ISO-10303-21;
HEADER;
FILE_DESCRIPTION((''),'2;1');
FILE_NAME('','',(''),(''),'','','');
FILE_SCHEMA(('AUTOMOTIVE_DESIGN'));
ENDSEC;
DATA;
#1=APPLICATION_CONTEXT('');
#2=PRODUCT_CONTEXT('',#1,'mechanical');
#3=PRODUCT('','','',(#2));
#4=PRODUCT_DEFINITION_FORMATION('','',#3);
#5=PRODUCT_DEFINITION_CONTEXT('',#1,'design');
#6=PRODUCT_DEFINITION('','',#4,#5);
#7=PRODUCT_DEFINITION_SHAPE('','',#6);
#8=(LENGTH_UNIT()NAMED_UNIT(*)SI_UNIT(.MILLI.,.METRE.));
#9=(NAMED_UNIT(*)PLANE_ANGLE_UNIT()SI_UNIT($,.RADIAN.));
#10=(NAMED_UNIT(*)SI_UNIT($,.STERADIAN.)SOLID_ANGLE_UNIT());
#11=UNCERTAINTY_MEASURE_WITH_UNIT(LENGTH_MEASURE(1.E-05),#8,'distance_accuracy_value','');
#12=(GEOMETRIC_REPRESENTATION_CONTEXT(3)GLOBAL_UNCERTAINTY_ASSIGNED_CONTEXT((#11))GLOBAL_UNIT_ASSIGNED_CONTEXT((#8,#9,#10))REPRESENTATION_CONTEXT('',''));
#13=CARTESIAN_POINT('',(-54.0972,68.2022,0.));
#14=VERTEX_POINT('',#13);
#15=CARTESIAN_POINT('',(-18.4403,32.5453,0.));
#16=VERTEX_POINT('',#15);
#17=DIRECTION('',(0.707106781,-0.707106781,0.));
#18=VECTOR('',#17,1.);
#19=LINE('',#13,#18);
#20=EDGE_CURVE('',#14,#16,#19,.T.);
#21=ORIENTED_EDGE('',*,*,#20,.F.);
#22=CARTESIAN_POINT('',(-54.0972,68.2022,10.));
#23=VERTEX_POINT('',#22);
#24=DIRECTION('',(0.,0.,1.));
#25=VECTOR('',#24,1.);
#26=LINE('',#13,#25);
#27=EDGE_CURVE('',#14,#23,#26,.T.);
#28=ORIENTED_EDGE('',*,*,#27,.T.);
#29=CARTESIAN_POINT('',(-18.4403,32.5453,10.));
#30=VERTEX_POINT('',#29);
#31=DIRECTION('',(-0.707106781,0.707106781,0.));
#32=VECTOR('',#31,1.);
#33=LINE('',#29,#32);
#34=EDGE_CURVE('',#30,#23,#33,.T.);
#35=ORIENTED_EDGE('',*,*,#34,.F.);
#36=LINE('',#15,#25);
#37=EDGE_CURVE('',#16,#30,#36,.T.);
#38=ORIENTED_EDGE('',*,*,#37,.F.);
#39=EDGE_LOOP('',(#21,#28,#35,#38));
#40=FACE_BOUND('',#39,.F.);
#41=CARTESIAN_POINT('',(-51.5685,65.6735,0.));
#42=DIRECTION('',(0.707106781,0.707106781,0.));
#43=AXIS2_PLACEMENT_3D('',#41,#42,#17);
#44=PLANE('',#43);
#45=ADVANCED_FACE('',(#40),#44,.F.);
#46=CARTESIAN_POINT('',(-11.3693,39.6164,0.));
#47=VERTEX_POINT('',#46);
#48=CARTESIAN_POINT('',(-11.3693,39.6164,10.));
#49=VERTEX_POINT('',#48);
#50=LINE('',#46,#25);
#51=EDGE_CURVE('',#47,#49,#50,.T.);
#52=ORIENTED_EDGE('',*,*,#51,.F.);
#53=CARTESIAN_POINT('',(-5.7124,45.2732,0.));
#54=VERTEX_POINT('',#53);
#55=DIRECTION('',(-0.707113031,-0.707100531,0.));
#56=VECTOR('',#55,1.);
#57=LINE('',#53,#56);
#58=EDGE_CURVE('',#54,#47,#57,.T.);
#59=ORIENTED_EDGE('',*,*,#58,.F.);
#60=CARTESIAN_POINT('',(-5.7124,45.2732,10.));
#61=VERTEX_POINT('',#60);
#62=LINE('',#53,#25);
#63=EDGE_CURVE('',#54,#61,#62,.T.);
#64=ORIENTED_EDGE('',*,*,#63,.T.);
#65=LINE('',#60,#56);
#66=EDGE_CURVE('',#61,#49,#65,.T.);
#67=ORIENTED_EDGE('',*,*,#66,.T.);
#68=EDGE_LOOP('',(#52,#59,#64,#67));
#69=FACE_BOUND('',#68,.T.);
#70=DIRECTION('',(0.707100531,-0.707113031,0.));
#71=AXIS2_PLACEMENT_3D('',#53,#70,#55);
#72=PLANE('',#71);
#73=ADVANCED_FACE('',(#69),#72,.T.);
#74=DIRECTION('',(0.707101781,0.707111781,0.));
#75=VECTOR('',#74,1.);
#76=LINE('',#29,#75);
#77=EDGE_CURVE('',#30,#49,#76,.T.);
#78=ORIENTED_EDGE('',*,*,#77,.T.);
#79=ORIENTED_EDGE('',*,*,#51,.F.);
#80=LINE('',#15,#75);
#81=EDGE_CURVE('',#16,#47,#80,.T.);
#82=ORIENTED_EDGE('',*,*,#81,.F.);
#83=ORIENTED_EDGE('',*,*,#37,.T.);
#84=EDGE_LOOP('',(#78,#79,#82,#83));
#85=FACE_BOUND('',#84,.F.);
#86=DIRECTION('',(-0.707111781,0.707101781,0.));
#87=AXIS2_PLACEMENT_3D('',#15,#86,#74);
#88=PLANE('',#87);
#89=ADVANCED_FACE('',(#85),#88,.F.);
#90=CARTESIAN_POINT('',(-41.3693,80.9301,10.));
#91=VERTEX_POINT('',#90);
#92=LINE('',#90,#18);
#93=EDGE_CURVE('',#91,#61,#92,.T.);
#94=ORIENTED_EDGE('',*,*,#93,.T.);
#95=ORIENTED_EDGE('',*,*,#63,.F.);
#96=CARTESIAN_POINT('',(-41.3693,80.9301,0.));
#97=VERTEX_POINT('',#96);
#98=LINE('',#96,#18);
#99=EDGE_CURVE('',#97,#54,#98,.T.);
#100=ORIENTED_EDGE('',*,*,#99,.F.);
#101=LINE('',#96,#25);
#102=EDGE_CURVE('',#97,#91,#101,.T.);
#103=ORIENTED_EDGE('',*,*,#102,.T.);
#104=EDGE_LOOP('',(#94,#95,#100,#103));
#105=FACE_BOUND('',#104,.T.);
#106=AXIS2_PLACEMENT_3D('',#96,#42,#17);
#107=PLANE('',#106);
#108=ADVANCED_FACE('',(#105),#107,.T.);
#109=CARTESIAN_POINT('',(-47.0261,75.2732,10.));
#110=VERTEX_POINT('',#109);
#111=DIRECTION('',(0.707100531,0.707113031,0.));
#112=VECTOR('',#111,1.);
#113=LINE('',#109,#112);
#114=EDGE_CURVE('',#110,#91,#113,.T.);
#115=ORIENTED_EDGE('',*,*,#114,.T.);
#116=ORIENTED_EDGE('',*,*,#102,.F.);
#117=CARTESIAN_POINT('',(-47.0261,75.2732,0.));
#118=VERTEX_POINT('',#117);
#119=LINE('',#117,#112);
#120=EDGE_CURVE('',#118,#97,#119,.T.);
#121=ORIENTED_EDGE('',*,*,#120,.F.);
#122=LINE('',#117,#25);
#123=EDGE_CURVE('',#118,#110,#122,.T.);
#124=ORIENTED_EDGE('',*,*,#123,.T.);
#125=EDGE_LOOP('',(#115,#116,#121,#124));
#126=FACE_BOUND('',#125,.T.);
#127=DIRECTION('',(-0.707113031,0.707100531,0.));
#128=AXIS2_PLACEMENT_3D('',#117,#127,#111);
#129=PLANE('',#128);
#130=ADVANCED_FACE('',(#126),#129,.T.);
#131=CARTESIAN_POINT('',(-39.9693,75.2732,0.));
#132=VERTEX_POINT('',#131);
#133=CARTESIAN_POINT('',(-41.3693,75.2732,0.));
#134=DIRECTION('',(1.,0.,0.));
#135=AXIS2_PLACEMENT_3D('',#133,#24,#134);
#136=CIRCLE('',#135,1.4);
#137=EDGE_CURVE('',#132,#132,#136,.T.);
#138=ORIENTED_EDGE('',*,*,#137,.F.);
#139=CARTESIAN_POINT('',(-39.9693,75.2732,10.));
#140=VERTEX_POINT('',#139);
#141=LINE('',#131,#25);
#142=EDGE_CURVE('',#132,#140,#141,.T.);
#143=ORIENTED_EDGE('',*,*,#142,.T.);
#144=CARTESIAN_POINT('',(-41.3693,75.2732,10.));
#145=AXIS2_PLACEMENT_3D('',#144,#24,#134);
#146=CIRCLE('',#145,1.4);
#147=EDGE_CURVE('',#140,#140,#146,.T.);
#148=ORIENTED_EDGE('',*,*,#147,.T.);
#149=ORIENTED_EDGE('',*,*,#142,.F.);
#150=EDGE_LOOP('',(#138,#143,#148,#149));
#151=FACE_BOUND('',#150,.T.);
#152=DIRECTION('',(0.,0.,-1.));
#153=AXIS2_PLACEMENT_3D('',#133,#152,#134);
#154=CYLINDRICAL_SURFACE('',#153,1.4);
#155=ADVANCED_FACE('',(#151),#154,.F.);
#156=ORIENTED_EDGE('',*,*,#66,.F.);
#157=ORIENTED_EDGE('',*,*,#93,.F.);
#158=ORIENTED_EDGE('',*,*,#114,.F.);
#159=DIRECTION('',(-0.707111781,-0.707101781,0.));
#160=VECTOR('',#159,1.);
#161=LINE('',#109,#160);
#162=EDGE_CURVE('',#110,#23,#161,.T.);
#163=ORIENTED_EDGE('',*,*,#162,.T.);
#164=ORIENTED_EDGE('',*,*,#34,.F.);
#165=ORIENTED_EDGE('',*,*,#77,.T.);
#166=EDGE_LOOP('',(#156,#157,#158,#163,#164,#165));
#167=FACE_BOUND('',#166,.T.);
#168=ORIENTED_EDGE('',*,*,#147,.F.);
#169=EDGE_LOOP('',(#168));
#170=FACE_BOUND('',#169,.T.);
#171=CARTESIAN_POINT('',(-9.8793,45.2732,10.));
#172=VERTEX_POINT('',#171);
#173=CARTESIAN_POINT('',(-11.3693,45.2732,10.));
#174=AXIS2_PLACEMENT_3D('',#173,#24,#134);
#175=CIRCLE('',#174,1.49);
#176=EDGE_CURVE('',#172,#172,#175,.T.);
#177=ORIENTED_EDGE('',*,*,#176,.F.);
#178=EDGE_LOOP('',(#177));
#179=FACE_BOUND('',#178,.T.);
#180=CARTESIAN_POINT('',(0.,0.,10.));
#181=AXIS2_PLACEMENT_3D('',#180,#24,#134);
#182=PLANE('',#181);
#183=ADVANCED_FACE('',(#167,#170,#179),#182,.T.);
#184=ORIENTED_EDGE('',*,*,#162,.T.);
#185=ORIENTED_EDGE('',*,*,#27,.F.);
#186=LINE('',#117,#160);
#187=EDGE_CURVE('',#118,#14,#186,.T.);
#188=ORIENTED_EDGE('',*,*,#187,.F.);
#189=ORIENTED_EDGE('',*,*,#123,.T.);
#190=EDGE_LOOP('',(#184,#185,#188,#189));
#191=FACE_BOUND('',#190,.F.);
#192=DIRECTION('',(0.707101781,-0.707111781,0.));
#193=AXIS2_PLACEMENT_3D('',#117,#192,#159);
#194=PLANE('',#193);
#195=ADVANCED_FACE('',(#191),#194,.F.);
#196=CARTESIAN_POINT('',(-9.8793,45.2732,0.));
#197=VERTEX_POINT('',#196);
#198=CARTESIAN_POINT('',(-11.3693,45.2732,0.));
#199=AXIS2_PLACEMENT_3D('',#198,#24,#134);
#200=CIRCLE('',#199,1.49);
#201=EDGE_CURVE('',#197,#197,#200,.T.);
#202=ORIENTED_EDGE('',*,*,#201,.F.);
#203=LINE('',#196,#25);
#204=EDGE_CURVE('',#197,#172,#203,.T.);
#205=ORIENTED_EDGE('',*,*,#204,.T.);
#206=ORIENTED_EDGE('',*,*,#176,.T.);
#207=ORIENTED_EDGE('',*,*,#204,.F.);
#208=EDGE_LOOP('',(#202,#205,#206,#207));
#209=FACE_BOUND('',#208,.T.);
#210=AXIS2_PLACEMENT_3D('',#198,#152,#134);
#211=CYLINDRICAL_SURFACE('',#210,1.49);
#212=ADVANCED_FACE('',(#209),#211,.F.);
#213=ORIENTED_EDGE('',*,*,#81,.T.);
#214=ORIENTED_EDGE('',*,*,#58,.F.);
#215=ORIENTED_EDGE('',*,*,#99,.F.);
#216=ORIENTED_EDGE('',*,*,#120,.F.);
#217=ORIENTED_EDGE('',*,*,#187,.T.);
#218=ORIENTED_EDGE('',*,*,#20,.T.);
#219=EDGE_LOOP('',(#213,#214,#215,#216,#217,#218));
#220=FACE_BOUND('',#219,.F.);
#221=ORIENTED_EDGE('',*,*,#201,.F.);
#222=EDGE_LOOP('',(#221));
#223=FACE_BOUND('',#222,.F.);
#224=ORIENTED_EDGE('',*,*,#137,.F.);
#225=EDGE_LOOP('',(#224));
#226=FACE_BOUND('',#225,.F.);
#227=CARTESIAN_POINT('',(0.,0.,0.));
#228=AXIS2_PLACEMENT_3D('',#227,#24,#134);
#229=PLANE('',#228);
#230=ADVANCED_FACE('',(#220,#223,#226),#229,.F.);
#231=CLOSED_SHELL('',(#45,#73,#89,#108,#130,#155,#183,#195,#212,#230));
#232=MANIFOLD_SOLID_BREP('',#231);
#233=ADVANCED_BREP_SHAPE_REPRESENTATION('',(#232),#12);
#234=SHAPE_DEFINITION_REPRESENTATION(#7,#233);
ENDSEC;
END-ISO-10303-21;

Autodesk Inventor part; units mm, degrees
ref_plane "YZ Plane" through (0, 0, 0) normal (1, 0, 0) x (0, 1, 0)
ref_plane "XZ Plane" through (0, 0, 0) normal (0, 1, 0) x (-1, 0, 0)
ref_plane "XY Plane" through (0, 0, 0) normal (0, 0, 1) x (1, 0, 0)
ref_plane "Arbeitsebene1" through (0, 0, 0) normal (0, 0, 1) x (1, 0, 0)
sketch "Skizze1" plane through (0, 0, 0) normal (0, 0, 1) x (1, 0, 0)
  line L0 (-0.2844, 28.5315) -> (-56.8529, 85.1) projected
  circle A0 centre (-11.3693, 45.2732) radius 1.49 projected
  circle A1 centre (-41.3693, 75.2732) radius 1.4 projected
  line L1 (-47.0261, 75.2732) -> (-41.3693, 80.9301)
  line L2 (-41.3693, 80.9301) -> (-5.7124, 45.2732)
  line L3 (-5.7124, 45.2732) -> (-11.3693, 39.6164)
  line L4 (-11.3693, 39.6164) -> (-47.0261, 75.2732)
  line L5 (-51.5685, 65.6735) -> (5, 9.105) projected
  line L6 (-47.0261, 75.2732) -> (-54.0972, 68.2022)
  line L7 (-54.0972, 68.2022) -> (-18.4403, 32.5453)
  line L8 (-18.4403, 32.5453) -> (-11.3693, 39.6164)
  line L9 (-11.3693, 39.6164) -> (-47.0261, 75.2732)
  point P0 (0, 0)
  dimension "d0" = 4
  dimension "d1" = 4
  dimension "d2" = 4
  dimension "d3" = 4
extrude "Extrusion1" add sketch "Skizze1" along normal blind 10
properties part number "NematostellaImager_mirrormount"
